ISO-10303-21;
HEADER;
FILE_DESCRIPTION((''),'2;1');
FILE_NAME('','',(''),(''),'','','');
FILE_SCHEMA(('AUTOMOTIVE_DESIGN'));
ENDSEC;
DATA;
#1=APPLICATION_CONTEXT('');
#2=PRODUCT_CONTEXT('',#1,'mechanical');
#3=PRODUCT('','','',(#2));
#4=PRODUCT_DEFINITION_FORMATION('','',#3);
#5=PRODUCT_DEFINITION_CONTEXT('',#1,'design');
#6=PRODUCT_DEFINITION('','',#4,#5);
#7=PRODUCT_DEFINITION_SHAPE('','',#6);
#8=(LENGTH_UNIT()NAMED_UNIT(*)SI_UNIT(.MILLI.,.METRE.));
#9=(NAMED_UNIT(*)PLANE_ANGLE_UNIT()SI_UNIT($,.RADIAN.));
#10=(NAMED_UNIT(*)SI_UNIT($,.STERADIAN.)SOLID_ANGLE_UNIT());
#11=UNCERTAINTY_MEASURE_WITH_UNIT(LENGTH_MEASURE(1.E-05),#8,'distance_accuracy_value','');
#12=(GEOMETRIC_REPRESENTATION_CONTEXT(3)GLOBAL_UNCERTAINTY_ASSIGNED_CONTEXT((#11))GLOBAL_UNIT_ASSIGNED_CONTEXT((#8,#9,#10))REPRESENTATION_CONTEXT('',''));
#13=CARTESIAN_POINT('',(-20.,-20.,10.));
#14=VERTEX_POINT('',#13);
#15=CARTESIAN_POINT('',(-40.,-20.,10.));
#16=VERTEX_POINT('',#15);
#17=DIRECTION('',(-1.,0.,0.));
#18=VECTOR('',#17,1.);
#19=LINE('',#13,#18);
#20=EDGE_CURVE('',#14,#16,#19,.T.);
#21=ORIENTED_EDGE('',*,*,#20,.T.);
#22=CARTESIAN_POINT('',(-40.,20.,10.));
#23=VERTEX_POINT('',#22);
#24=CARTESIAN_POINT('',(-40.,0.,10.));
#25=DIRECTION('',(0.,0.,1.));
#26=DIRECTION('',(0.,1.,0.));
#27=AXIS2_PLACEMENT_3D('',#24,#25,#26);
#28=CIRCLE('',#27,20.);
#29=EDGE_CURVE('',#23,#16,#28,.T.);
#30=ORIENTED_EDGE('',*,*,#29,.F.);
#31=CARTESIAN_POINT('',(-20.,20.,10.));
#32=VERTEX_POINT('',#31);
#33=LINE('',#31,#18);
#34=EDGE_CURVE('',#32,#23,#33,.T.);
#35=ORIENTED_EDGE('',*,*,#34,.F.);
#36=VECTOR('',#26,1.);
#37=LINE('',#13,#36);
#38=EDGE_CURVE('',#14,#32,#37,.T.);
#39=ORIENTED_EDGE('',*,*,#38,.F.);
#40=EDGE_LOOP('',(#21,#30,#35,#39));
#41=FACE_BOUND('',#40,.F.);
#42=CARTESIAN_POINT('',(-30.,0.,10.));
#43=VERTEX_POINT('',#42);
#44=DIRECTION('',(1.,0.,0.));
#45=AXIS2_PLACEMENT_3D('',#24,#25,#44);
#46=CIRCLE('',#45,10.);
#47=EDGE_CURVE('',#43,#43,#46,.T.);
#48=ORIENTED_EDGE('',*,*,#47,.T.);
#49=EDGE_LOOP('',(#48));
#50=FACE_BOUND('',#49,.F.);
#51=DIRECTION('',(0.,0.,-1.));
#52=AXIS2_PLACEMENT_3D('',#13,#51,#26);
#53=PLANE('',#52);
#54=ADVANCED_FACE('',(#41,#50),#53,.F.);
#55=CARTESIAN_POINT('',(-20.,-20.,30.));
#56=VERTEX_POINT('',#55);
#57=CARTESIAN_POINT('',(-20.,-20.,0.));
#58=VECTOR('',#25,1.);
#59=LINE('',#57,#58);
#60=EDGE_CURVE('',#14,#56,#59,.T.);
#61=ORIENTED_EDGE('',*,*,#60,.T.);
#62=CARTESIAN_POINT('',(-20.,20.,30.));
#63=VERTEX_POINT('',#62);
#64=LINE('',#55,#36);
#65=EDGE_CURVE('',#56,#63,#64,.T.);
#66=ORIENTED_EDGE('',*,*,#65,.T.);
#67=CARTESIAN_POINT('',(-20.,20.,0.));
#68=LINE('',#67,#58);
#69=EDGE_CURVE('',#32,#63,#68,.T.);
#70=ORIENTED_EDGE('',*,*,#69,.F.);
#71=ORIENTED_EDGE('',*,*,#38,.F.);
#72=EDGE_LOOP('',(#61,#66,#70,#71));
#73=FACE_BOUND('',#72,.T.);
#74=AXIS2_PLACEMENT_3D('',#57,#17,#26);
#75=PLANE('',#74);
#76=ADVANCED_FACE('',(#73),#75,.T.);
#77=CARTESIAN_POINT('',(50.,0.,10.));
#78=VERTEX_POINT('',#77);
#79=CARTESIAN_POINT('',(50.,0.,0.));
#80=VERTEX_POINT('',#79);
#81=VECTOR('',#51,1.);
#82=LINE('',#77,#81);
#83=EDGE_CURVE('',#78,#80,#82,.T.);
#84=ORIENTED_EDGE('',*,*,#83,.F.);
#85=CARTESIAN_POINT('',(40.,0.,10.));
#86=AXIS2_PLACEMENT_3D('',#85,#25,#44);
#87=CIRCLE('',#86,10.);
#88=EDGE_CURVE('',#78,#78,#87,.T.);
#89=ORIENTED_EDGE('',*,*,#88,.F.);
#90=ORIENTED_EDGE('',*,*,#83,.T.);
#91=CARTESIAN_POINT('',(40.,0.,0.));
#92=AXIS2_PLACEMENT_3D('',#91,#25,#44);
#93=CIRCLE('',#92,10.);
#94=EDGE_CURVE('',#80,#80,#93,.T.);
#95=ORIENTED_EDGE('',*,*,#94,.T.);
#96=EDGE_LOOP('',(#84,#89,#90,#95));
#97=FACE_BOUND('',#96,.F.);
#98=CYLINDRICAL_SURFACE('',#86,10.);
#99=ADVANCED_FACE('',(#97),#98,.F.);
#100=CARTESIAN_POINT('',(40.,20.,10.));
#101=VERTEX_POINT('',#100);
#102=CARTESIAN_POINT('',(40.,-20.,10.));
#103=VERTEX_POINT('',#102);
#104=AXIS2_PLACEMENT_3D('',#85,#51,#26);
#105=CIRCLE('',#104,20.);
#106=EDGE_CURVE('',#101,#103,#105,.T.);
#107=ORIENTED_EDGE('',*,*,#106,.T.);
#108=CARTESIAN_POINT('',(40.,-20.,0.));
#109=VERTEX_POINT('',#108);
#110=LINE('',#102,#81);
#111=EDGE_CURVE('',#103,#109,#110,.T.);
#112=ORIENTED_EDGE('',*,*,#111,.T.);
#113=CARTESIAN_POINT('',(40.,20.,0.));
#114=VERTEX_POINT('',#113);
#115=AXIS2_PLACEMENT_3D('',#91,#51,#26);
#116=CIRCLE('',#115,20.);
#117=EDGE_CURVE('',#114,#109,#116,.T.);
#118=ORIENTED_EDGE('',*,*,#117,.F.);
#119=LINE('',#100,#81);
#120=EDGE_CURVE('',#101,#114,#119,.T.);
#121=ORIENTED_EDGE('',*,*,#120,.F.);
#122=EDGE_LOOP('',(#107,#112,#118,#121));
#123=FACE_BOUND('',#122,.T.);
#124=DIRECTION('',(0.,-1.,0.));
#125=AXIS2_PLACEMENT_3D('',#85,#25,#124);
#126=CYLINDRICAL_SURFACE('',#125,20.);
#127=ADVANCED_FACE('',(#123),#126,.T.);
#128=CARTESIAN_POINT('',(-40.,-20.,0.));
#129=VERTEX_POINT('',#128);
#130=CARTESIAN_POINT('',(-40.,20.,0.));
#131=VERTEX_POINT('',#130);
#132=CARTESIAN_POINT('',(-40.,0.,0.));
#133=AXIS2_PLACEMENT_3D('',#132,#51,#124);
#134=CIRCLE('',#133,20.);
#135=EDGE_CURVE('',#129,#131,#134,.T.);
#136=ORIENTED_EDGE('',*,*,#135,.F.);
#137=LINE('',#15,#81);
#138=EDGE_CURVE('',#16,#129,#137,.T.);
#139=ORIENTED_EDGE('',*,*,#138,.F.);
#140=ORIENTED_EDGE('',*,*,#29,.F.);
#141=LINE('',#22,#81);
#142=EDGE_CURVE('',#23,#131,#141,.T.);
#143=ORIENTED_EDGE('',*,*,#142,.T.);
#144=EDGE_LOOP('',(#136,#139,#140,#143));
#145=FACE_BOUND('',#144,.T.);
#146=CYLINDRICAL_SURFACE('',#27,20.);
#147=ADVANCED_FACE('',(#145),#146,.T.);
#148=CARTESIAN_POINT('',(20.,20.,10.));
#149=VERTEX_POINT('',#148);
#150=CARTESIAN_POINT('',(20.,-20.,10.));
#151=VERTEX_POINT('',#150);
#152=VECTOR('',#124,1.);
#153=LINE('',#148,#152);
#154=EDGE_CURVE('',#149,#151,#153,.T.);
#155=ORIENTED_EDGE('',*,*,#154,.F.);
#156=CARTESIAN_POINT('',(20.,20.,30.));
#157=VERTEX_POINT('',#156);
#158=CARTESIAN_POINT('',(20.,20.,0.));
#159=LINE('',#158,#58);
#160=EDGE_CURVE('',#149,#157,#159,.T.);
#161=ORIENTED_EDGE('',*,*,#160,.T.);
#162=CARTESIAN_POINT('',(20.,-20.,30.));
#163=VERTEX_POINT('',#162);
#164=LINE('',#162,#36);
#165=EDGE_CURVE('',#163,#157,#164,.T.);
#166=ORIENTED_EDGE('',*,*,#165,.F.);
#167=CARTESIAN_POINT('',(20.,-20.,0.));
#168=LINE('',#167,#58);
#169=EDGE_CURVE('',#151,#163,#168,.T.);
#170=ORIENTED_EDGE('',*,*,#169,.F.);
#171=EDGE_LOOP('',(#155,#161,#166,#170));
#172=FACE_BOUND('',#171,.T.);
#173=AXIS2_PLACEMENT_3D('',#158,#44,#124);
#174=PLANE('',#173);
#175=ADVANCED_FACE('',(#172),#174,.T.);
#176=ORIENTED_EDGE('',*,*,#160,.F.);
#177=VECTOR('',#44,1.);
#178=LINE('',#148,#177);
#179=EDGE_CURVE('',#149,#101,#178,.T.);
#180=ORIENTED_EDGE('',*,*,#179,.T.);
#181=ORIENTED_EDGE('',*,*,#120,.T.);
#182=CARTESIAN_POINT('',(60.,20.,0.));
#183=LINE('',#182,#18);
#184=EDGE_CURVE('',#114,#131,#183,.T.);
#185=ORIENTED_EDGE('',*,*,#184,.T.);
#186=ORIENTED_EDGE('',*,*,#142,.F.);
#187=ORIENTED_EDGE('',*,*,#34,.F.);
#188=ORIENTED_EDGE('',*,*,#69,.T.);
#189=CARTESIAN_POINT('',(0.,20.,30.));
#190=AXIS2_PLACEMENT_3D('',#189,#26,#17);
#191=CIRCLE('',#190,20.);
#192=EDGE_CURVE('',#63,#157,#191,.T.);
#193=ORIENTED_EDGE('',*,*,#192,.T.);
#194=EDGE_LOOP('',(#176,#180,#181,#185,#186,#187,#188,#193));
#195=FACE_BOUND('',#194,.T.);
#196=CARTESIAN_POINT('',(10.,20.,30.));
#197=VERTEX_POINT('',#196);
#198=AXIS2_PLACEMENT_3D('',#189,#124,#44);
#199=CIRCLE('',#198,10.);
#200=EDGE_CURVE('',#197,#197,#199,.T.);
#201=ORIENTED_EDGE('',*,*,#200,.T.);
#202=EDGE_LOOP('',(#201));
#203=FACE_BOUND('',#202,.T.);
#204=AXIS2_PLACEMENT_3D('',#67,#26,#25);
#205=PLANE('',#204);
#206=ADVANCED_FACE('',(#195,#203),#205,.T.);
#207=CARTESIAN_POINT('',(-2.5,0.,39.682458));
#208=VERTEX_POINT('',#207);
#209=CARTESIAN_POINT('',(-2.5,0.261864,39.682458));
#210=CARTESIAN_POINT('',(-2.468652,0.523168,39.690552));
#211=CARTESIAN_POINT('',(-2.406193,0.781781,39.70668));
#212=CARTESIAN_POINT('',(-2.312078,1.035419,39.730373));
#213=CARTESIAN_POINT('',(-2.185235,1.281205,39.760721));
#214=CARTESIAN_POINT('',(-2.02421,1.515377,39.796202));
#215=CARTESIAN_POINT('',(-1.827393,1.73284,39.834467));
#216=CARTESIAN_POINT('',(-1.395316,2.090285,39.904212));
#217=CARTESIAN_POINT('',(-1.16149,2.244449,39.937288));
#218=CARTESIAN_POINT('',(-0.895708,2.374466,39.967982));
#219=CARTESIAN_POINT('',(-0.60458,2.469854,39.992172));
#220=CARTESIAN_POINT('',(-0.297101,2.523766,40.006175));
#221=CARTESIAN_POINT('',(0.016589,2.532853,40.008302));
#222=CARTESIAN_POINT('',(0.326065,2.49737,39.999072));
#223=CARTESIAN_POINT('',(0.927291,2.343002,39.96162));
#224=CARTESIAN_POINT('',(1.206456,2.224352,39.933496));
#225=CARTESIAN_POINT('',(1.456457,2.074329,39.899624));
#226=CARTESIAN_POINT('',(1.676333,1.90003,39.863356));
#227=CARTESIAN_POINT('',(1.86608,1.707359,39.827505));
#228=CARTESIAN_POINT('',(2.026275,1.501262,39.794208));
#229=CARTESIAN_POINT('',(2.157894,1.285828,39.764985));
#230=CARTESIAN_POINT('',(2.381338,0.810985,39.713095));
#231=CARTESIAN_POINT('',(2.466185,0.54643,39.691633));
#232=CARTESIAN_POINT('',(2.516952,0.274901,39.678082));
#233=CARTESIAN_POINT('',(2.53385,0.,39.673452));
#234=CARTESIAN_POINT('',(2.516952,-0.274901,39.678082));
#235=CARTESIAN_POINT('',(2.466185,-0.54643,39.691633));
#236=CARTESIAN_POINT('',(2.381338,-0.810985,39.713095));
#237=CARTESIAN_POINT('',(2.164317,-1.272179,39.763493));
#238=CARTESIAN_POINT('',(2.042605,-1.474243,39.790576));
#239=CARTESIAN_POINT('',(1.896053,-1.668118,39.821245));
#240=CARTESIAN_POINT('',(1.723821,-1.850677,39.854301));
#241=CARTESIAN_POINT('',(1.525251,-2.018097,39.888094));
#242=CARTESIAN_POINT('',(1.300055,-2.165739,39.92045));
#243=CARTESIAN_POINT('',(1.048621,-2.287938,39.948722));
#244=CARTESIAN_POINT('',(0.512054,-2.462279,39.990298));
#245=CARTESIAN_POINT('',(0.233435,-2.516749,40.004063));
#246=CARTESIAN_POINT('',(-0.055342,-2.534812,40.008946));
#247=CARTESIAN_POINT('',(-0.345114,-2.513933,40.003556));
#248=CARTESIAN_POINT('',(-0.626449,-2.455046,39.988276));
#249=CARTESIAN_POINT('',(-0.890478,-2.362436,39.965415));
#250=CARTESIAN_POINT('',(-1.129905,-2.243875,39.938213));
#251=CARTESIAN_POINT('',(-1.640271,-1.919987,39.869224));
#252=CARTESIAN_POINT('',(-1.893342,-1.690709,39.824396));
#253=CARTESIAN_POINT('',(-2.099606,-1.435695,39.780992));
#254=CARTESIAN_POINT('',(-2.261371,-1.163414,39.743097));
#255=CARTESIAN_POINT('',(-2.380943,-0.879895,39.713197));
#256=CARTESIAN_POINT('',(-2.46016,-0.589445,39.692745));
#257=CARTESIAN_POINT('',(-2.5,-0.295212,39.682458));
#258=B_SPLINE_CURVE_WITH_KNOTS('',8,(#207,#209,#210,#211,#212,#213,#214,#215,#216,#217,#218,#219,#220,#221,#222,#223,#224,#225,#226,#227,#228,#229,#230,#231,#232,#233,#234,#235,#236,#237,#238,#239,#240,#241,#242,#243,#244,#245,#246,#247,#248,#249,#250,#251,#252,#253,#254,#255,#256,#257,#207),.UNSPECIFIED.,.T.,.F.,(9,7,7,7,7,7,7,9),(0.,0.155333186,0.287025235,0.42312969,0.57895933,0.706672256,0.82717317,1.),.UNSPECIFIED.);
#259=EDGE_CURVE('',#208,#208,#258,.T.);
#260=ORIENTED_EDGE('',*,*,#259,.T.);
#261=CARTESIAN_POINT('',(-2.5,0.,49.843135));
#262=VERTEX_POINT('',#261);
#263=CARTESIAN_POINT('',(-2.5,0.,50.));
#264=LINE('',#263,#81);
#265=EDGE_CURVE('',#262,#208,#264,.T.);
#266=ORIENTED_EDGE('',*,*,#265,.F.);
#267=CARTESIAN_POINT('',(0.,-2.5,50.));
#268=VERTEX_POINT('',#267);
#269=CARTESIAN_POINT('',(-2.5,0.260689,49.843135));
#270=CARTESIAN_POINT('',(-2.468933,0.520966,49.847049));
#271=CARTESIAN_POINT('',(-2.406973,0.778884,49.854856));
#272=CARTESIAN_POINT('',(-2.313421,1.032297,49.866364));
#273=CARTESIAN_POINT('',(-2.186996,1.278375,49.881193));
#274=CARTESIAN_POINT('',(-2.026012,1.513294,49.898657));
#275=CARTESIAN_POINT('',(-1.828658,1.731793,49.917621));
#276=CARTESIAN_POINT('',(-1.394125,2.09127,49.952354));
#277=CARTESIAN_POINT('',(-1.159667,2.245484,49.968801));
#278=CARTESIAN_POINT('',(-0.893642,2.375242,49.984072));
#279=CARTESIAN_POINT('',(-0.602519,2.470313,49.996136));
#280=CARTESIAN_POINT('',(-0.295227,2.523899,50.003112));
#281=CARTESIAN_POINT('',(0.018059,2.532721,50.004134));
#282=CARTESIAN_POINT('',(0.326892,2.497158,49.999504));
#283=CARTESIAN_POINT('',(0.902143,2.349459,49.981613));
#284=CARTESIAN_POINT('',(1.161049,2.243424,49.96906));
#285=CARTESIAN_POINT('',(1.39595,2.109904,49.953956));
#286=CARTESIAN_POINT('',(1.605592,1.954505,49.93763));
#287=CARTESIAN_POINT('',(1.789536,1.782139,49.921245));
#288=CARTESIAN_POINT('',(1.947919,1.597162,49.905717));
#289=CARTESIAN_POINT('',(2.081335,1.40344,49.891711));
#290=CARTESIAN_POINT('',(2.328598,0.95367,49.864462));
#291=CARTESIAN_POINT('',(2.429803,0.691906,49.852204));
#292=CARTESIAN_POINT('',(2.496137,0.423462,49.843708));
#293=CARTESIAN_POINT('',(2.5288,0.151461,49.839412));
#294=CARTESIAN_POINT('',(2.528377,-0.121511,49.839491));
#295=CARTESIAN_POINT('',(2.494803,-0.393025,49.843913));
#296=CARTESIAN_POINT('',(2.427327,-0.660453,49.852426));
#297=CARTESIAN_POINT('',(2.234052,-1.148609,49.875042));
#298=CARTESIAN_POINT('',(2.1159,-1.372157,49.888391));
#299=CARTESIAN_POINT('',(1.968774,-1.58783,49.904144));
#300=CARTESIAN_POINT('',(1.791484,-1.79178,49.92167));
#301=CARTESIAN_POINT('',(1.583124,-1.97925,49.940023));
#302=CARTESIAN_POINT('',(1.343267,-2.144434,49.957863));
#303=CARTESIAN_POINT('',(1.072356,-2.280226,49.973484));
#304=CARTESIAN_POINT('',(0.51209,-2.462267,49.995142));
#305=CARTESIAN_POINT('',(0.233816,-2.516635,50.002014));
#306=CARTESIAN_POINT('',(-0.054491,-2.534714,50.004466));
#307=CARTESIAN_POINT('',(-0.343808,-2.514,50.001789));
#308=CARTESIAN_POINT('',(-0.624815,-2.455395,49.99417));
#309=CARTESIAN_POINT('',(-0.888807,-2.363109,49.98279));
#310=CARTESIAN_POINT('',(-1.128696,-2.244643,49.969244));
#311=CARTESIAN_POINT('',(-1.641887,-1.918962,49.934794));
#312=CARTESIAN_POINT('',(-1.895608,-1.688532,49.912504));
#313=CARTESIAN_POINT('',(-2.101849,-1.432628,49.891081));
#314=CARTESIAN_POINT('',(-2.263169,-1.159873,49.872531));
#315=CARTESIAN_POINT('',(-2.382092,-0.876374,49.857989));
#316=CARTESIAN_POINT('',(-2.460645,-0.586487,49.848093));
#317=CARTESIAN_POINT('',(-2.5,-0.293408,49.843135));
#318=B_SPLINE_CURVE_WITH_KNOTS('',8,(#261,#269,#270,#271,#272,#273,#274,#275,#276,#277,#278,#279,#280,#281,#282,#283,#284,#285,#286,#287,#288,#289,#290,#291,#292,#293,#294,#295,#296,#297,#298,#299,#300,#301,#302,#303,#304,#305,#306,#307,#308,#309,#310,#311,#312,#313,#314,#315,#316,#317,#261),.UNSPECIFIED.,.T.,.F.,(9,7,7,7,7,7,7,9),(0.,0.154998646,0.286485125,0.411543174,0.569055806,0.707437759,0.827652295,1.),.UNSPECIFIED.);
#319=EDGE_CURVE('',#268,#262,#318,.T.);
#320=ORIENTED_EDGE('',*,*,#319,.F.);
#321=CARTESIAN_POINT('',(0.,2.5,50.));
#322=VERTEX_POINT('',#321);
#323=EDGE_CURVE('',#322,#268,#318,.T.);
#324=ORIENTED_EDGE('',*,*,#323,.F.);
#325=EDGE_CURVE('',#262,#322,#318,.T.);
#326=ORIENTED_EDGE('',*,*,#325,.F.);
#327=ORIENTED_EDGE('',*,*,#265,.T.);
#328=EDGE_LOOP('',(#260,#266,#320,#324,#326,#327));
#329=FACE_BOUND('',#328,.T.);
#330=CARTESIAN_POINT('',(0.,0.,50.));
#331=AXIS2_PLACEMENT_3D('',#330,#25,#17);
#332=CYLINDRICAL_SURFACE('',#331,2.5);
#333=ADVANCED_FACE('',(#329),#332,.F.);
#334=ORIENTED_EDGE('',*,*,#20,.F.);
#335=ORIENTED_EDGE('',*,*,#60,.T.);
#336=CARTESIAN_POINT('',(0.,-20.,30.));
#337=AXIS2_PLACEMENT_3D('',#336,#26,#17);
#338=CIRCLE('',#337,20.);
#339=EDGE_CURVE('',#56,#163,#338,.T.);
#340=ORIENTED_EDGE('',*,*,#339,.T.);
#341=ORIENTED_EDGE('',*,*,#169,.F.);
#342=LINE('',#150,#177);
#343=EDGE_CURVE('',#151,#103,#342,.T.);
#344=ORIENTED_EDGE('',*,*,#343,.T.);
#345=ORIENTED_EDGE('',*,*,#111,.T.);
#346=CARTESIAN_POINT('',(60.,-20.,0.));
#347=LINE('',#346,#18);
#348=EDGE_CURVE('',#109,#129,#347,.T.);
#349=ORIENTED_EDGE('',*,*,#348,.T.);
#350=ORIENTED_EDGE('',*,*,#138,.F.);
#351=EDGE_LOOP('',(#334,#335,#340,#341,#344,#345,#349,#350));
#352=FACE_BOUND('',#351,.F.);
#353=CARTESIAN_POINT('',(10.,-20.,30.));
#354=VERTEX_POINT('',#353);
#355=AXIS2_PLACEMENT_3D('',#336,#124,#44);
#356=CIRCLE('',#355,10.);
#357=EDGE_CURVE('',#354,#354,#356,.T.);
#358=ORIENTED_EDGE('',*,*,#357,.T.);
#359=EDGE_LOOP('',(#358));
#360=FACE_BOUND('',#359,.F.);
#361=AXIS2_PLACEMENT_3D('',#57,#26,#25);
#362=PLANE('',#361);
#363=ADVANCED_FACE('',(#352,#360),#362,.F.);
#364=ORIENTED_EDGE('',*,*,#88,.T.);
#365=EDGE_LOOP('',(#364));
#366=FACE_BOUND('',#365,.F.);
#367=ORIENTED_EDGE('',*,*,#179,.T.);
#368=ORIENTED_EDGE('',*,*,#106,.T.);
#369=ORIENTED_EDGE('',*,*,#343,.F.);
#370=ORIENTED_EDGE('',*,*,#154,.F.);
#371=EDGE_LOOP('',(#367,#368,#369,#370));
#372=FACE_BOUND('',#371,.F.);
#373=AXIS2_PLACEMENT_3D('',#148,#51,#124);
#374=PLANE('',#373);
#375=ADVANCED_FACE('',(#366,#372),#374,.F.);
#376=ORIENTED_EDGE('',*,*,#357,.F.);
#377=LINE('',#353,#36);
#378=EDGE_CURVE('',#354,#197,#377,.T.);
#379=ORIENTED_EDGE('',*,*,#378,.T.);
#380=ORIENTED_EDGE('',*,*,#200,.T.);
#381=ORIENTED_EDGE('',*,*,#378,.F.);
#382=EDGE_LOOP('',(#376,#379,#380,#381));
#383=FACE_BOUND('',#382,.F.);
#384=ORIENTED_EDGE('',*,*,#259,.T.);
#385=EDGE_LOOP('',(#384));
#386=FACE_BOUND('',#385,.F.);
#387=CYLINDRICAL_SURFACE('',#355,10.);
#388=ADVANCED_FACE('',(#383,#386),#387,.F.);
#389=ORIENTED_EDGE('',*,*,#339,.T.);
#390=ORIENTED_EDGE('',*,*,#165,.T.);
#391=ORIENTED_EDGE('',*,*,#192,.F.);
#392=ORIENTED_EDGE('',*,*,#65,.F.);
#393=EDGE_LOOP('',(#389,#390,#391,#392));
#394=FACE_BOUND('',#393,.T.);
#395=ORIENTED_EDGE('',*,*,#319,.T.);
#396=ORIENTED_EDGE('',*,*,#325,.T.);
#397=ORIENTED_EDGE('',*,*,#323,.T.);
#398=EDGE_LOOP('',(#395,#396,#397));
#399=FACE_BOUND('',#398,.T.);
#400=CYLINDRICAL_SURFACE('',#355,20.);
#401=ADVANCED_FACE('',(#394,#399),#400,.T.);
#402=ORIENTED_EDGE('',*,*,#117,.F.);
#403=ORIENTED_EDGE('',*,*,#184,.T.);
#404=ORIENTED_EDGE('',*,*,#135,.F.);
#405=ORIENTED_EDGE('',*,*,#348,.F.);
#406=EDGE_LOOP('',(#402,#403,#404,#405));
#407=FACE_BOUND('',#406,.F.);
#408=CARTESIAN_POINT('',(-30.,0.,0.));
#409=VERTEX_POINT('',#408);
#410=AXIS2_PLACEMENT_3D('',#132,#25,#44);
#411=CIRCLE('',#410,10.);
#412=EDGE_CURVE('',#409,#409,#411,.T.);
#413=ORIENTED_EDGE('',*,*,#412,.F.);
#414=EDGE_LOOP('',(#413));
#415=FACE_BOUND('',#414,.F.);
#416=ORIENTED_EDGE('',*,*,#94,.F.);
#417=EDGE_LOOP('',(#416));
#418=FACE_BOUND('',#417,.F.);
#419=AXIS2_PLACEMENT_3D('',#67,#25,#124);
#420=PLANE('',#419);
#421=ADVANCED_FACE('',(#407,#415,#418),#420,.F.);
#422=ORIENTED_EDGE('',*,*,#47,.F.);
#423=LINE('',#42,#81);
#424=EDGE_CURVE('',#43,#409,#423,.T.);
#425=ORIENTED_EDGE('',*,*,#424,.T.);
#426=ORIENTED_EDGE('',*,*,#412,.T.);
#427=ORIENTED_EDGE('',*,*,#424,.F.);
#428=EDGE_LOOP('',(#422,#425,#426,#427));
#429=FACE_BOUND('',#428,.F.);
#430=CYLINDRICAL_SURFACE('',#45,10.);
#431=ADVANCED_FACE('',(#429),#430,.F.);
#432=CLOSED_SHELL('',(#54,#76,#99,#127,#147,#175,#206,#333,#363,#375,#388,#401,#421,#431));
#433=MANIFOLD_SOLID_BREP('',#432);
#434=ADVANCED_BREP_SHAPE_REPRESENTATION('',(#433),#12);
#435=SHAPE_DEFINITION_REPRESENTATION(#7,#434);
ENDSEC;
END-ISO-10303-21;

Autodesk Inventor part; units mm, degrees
ref_plane "YZ Plane" through (0, 0, 0) normal (1, 0, 0) x (0, 1, 0)
ref_plane "XZ Plane" through (0, 0, 0) normal (0, 1, 0) x (-1, 0, 0)
sketch "Sketch2" plane through (0, 0, 0) normal (0, 0, 1) x (1, 0, 0)
  line L0 (-20, 20) -> (20, 20)
  line L1 (20, 20) -> (20, -20)
  line L2 (20, -20) -> (-20, -20)
  line L3 (-20, -20) -> (-20, 20)
  line L4 (-20, 20) -> (20, -20) construction
  line L5 (20, 20) -> (-20, -20) construction
  point P0 (0, 0)
  dimension "d5" = 40
  dimension "d6" = 40
extrude "Extrusion2" add sketch "Sketch2" along normal blind 50
sketch "Sketch3" plane through (20, -20, 0) normal (1, 0, 0) x (0, 0, -1)
  line L0 (0, 40) -> (-50, 40) projected
  line L1 (0, 0) -> (-50, 0) projected
  line L2 (0, 40) -> (-10, 40)
  line L3 (-10, 40) -> (-10, 0)
  line L4 (-10, 0) -> (0, 0)
  line L5 (0, 0) -> (0, 40)
  point P0 (0, 20)
  dimension "d9" = 10
extrude "Extrusion3" add sketch "Sketch3" along normal blind 40
sketch "Sketch4" plane through (-20, -20, 0) normal (-1, 0, 0) x (0, 0, 1)
  line L0 (0, 40) -> (0, 0) projected
  line L1 (0, 40) -> (50, 40) projected
  line L2 (0, 0) -> (10, 0)
  line L3 (10, 0) -> (10, 40)
  line L4 (10, 40) -> (0, 40)
  line L5 (0, 40) -> (0, 0)
  point P0 (0, 20)
  dimension "d13" = 10
extrude "Extrusion4" add sketch "Sketch4" along normal blind 40
sketch "Sketch5" plane through (-20, -20, 10) normal (0, 0, 1) x (1, 0, 0)
  line L0 (0, 40) -> (0, 0) projected
  line L1 (-40, 0) -> (80, 0) projected
  line L2 (-20, 40) -> (-40, 40)
  line L3 (-40, 40) -> (-40, 0)
  line L4 (-40, 0) -> (-20, 0)
  line L5 (0, 0) -> (0, 40)
  circle A0 centre (-20, 20) radius 10
  arc A1 (-20, 40) -> (-20, 0) centre (-20, 20) ccw
  line L6 (0, 40) -> (-40, 40) projected
  line L7 (0, 0) -> (-40, 0) projected
  line L8 (-40, 0) -> (-40, 40) projected
  line L9 (60, 0) -> (80, 0)
  line L10 (80, 0) -> (80, 40)
  line L11 (80, 40) -> (60, 40)
  circle A2 centre (60, 20) radius 10
  arc A3 (60, 0) -> (60, 40) centre (60, 20) ccw
  line L12 (40, 40) -> (80, 40) projected
  line L13 (80, 40) -> (80, 0) projected
  line L14 (40, 0) -> (80, 0) projected
  point P0 (20, 20)
  point P1 (80, 20)
  point P2 (-40, 20)
extrude "Extrusion5" cut sketch "Sketch5" against normal through all contours A3 L11 L10 | A3 L10 L1 | A1 L3 L2 | L1 L3 A1 | A0 | A2
sketch "Sketch6" plane through (-20, -20, 50) normal (0, -1, 0) x (1, 0, 0)
  line L0 (0, -40) -> (-20, -40) projected
  line L1 (40, -40) -> (40, 0) projected
  line L2 (40, -20) -> (40, 0)
  line L3 (40, 0) -> (0, 0)
  line L4 (0, 0) -> (0, -20)
  arc A0 (40, -20) -> (0, -20) centre (20, -20) ccw
  circle A1 centre (20, -20) radius 10
  line L5 (0, 0) -> (40, 0) projected
  line L6 (40, -40) -> (40, 0) projected
  line L7 (0, -40) -> (0, 0) projected
  point P0 (20, -50)
  point P1 (20, 0)
  dimension "d20" = 20
extrude "Extrusion6" cut sketch "Sketch6" against normal through all
ref_plane "Work Plane1" through (0, -20, 50) normal (0, 0, -1) x (-1, 0, 0)
sketch "Sketch8" plane through (0, -20, 50) normal (0, 0, -1) x (-1, 0, 0)
  circle A0 centre (0, 20) radius 2.5
  dimension "d31" = 5
extrude "Extrusion7" cut sketch "Sketch8" along normal blind 12
thread "Thread1" size "M20x2.5" class "6H" standard "ANSI Metric M Profile" full length
thread "Thread2" size "M5x0.8" class "6H" standard "ANSI Metric M Profile" full length
thread "Thread3" size "M20x2.5" class "6H" standard "ANSI Metric M Profile" full length
properties part number "06022024_ejercicio"
